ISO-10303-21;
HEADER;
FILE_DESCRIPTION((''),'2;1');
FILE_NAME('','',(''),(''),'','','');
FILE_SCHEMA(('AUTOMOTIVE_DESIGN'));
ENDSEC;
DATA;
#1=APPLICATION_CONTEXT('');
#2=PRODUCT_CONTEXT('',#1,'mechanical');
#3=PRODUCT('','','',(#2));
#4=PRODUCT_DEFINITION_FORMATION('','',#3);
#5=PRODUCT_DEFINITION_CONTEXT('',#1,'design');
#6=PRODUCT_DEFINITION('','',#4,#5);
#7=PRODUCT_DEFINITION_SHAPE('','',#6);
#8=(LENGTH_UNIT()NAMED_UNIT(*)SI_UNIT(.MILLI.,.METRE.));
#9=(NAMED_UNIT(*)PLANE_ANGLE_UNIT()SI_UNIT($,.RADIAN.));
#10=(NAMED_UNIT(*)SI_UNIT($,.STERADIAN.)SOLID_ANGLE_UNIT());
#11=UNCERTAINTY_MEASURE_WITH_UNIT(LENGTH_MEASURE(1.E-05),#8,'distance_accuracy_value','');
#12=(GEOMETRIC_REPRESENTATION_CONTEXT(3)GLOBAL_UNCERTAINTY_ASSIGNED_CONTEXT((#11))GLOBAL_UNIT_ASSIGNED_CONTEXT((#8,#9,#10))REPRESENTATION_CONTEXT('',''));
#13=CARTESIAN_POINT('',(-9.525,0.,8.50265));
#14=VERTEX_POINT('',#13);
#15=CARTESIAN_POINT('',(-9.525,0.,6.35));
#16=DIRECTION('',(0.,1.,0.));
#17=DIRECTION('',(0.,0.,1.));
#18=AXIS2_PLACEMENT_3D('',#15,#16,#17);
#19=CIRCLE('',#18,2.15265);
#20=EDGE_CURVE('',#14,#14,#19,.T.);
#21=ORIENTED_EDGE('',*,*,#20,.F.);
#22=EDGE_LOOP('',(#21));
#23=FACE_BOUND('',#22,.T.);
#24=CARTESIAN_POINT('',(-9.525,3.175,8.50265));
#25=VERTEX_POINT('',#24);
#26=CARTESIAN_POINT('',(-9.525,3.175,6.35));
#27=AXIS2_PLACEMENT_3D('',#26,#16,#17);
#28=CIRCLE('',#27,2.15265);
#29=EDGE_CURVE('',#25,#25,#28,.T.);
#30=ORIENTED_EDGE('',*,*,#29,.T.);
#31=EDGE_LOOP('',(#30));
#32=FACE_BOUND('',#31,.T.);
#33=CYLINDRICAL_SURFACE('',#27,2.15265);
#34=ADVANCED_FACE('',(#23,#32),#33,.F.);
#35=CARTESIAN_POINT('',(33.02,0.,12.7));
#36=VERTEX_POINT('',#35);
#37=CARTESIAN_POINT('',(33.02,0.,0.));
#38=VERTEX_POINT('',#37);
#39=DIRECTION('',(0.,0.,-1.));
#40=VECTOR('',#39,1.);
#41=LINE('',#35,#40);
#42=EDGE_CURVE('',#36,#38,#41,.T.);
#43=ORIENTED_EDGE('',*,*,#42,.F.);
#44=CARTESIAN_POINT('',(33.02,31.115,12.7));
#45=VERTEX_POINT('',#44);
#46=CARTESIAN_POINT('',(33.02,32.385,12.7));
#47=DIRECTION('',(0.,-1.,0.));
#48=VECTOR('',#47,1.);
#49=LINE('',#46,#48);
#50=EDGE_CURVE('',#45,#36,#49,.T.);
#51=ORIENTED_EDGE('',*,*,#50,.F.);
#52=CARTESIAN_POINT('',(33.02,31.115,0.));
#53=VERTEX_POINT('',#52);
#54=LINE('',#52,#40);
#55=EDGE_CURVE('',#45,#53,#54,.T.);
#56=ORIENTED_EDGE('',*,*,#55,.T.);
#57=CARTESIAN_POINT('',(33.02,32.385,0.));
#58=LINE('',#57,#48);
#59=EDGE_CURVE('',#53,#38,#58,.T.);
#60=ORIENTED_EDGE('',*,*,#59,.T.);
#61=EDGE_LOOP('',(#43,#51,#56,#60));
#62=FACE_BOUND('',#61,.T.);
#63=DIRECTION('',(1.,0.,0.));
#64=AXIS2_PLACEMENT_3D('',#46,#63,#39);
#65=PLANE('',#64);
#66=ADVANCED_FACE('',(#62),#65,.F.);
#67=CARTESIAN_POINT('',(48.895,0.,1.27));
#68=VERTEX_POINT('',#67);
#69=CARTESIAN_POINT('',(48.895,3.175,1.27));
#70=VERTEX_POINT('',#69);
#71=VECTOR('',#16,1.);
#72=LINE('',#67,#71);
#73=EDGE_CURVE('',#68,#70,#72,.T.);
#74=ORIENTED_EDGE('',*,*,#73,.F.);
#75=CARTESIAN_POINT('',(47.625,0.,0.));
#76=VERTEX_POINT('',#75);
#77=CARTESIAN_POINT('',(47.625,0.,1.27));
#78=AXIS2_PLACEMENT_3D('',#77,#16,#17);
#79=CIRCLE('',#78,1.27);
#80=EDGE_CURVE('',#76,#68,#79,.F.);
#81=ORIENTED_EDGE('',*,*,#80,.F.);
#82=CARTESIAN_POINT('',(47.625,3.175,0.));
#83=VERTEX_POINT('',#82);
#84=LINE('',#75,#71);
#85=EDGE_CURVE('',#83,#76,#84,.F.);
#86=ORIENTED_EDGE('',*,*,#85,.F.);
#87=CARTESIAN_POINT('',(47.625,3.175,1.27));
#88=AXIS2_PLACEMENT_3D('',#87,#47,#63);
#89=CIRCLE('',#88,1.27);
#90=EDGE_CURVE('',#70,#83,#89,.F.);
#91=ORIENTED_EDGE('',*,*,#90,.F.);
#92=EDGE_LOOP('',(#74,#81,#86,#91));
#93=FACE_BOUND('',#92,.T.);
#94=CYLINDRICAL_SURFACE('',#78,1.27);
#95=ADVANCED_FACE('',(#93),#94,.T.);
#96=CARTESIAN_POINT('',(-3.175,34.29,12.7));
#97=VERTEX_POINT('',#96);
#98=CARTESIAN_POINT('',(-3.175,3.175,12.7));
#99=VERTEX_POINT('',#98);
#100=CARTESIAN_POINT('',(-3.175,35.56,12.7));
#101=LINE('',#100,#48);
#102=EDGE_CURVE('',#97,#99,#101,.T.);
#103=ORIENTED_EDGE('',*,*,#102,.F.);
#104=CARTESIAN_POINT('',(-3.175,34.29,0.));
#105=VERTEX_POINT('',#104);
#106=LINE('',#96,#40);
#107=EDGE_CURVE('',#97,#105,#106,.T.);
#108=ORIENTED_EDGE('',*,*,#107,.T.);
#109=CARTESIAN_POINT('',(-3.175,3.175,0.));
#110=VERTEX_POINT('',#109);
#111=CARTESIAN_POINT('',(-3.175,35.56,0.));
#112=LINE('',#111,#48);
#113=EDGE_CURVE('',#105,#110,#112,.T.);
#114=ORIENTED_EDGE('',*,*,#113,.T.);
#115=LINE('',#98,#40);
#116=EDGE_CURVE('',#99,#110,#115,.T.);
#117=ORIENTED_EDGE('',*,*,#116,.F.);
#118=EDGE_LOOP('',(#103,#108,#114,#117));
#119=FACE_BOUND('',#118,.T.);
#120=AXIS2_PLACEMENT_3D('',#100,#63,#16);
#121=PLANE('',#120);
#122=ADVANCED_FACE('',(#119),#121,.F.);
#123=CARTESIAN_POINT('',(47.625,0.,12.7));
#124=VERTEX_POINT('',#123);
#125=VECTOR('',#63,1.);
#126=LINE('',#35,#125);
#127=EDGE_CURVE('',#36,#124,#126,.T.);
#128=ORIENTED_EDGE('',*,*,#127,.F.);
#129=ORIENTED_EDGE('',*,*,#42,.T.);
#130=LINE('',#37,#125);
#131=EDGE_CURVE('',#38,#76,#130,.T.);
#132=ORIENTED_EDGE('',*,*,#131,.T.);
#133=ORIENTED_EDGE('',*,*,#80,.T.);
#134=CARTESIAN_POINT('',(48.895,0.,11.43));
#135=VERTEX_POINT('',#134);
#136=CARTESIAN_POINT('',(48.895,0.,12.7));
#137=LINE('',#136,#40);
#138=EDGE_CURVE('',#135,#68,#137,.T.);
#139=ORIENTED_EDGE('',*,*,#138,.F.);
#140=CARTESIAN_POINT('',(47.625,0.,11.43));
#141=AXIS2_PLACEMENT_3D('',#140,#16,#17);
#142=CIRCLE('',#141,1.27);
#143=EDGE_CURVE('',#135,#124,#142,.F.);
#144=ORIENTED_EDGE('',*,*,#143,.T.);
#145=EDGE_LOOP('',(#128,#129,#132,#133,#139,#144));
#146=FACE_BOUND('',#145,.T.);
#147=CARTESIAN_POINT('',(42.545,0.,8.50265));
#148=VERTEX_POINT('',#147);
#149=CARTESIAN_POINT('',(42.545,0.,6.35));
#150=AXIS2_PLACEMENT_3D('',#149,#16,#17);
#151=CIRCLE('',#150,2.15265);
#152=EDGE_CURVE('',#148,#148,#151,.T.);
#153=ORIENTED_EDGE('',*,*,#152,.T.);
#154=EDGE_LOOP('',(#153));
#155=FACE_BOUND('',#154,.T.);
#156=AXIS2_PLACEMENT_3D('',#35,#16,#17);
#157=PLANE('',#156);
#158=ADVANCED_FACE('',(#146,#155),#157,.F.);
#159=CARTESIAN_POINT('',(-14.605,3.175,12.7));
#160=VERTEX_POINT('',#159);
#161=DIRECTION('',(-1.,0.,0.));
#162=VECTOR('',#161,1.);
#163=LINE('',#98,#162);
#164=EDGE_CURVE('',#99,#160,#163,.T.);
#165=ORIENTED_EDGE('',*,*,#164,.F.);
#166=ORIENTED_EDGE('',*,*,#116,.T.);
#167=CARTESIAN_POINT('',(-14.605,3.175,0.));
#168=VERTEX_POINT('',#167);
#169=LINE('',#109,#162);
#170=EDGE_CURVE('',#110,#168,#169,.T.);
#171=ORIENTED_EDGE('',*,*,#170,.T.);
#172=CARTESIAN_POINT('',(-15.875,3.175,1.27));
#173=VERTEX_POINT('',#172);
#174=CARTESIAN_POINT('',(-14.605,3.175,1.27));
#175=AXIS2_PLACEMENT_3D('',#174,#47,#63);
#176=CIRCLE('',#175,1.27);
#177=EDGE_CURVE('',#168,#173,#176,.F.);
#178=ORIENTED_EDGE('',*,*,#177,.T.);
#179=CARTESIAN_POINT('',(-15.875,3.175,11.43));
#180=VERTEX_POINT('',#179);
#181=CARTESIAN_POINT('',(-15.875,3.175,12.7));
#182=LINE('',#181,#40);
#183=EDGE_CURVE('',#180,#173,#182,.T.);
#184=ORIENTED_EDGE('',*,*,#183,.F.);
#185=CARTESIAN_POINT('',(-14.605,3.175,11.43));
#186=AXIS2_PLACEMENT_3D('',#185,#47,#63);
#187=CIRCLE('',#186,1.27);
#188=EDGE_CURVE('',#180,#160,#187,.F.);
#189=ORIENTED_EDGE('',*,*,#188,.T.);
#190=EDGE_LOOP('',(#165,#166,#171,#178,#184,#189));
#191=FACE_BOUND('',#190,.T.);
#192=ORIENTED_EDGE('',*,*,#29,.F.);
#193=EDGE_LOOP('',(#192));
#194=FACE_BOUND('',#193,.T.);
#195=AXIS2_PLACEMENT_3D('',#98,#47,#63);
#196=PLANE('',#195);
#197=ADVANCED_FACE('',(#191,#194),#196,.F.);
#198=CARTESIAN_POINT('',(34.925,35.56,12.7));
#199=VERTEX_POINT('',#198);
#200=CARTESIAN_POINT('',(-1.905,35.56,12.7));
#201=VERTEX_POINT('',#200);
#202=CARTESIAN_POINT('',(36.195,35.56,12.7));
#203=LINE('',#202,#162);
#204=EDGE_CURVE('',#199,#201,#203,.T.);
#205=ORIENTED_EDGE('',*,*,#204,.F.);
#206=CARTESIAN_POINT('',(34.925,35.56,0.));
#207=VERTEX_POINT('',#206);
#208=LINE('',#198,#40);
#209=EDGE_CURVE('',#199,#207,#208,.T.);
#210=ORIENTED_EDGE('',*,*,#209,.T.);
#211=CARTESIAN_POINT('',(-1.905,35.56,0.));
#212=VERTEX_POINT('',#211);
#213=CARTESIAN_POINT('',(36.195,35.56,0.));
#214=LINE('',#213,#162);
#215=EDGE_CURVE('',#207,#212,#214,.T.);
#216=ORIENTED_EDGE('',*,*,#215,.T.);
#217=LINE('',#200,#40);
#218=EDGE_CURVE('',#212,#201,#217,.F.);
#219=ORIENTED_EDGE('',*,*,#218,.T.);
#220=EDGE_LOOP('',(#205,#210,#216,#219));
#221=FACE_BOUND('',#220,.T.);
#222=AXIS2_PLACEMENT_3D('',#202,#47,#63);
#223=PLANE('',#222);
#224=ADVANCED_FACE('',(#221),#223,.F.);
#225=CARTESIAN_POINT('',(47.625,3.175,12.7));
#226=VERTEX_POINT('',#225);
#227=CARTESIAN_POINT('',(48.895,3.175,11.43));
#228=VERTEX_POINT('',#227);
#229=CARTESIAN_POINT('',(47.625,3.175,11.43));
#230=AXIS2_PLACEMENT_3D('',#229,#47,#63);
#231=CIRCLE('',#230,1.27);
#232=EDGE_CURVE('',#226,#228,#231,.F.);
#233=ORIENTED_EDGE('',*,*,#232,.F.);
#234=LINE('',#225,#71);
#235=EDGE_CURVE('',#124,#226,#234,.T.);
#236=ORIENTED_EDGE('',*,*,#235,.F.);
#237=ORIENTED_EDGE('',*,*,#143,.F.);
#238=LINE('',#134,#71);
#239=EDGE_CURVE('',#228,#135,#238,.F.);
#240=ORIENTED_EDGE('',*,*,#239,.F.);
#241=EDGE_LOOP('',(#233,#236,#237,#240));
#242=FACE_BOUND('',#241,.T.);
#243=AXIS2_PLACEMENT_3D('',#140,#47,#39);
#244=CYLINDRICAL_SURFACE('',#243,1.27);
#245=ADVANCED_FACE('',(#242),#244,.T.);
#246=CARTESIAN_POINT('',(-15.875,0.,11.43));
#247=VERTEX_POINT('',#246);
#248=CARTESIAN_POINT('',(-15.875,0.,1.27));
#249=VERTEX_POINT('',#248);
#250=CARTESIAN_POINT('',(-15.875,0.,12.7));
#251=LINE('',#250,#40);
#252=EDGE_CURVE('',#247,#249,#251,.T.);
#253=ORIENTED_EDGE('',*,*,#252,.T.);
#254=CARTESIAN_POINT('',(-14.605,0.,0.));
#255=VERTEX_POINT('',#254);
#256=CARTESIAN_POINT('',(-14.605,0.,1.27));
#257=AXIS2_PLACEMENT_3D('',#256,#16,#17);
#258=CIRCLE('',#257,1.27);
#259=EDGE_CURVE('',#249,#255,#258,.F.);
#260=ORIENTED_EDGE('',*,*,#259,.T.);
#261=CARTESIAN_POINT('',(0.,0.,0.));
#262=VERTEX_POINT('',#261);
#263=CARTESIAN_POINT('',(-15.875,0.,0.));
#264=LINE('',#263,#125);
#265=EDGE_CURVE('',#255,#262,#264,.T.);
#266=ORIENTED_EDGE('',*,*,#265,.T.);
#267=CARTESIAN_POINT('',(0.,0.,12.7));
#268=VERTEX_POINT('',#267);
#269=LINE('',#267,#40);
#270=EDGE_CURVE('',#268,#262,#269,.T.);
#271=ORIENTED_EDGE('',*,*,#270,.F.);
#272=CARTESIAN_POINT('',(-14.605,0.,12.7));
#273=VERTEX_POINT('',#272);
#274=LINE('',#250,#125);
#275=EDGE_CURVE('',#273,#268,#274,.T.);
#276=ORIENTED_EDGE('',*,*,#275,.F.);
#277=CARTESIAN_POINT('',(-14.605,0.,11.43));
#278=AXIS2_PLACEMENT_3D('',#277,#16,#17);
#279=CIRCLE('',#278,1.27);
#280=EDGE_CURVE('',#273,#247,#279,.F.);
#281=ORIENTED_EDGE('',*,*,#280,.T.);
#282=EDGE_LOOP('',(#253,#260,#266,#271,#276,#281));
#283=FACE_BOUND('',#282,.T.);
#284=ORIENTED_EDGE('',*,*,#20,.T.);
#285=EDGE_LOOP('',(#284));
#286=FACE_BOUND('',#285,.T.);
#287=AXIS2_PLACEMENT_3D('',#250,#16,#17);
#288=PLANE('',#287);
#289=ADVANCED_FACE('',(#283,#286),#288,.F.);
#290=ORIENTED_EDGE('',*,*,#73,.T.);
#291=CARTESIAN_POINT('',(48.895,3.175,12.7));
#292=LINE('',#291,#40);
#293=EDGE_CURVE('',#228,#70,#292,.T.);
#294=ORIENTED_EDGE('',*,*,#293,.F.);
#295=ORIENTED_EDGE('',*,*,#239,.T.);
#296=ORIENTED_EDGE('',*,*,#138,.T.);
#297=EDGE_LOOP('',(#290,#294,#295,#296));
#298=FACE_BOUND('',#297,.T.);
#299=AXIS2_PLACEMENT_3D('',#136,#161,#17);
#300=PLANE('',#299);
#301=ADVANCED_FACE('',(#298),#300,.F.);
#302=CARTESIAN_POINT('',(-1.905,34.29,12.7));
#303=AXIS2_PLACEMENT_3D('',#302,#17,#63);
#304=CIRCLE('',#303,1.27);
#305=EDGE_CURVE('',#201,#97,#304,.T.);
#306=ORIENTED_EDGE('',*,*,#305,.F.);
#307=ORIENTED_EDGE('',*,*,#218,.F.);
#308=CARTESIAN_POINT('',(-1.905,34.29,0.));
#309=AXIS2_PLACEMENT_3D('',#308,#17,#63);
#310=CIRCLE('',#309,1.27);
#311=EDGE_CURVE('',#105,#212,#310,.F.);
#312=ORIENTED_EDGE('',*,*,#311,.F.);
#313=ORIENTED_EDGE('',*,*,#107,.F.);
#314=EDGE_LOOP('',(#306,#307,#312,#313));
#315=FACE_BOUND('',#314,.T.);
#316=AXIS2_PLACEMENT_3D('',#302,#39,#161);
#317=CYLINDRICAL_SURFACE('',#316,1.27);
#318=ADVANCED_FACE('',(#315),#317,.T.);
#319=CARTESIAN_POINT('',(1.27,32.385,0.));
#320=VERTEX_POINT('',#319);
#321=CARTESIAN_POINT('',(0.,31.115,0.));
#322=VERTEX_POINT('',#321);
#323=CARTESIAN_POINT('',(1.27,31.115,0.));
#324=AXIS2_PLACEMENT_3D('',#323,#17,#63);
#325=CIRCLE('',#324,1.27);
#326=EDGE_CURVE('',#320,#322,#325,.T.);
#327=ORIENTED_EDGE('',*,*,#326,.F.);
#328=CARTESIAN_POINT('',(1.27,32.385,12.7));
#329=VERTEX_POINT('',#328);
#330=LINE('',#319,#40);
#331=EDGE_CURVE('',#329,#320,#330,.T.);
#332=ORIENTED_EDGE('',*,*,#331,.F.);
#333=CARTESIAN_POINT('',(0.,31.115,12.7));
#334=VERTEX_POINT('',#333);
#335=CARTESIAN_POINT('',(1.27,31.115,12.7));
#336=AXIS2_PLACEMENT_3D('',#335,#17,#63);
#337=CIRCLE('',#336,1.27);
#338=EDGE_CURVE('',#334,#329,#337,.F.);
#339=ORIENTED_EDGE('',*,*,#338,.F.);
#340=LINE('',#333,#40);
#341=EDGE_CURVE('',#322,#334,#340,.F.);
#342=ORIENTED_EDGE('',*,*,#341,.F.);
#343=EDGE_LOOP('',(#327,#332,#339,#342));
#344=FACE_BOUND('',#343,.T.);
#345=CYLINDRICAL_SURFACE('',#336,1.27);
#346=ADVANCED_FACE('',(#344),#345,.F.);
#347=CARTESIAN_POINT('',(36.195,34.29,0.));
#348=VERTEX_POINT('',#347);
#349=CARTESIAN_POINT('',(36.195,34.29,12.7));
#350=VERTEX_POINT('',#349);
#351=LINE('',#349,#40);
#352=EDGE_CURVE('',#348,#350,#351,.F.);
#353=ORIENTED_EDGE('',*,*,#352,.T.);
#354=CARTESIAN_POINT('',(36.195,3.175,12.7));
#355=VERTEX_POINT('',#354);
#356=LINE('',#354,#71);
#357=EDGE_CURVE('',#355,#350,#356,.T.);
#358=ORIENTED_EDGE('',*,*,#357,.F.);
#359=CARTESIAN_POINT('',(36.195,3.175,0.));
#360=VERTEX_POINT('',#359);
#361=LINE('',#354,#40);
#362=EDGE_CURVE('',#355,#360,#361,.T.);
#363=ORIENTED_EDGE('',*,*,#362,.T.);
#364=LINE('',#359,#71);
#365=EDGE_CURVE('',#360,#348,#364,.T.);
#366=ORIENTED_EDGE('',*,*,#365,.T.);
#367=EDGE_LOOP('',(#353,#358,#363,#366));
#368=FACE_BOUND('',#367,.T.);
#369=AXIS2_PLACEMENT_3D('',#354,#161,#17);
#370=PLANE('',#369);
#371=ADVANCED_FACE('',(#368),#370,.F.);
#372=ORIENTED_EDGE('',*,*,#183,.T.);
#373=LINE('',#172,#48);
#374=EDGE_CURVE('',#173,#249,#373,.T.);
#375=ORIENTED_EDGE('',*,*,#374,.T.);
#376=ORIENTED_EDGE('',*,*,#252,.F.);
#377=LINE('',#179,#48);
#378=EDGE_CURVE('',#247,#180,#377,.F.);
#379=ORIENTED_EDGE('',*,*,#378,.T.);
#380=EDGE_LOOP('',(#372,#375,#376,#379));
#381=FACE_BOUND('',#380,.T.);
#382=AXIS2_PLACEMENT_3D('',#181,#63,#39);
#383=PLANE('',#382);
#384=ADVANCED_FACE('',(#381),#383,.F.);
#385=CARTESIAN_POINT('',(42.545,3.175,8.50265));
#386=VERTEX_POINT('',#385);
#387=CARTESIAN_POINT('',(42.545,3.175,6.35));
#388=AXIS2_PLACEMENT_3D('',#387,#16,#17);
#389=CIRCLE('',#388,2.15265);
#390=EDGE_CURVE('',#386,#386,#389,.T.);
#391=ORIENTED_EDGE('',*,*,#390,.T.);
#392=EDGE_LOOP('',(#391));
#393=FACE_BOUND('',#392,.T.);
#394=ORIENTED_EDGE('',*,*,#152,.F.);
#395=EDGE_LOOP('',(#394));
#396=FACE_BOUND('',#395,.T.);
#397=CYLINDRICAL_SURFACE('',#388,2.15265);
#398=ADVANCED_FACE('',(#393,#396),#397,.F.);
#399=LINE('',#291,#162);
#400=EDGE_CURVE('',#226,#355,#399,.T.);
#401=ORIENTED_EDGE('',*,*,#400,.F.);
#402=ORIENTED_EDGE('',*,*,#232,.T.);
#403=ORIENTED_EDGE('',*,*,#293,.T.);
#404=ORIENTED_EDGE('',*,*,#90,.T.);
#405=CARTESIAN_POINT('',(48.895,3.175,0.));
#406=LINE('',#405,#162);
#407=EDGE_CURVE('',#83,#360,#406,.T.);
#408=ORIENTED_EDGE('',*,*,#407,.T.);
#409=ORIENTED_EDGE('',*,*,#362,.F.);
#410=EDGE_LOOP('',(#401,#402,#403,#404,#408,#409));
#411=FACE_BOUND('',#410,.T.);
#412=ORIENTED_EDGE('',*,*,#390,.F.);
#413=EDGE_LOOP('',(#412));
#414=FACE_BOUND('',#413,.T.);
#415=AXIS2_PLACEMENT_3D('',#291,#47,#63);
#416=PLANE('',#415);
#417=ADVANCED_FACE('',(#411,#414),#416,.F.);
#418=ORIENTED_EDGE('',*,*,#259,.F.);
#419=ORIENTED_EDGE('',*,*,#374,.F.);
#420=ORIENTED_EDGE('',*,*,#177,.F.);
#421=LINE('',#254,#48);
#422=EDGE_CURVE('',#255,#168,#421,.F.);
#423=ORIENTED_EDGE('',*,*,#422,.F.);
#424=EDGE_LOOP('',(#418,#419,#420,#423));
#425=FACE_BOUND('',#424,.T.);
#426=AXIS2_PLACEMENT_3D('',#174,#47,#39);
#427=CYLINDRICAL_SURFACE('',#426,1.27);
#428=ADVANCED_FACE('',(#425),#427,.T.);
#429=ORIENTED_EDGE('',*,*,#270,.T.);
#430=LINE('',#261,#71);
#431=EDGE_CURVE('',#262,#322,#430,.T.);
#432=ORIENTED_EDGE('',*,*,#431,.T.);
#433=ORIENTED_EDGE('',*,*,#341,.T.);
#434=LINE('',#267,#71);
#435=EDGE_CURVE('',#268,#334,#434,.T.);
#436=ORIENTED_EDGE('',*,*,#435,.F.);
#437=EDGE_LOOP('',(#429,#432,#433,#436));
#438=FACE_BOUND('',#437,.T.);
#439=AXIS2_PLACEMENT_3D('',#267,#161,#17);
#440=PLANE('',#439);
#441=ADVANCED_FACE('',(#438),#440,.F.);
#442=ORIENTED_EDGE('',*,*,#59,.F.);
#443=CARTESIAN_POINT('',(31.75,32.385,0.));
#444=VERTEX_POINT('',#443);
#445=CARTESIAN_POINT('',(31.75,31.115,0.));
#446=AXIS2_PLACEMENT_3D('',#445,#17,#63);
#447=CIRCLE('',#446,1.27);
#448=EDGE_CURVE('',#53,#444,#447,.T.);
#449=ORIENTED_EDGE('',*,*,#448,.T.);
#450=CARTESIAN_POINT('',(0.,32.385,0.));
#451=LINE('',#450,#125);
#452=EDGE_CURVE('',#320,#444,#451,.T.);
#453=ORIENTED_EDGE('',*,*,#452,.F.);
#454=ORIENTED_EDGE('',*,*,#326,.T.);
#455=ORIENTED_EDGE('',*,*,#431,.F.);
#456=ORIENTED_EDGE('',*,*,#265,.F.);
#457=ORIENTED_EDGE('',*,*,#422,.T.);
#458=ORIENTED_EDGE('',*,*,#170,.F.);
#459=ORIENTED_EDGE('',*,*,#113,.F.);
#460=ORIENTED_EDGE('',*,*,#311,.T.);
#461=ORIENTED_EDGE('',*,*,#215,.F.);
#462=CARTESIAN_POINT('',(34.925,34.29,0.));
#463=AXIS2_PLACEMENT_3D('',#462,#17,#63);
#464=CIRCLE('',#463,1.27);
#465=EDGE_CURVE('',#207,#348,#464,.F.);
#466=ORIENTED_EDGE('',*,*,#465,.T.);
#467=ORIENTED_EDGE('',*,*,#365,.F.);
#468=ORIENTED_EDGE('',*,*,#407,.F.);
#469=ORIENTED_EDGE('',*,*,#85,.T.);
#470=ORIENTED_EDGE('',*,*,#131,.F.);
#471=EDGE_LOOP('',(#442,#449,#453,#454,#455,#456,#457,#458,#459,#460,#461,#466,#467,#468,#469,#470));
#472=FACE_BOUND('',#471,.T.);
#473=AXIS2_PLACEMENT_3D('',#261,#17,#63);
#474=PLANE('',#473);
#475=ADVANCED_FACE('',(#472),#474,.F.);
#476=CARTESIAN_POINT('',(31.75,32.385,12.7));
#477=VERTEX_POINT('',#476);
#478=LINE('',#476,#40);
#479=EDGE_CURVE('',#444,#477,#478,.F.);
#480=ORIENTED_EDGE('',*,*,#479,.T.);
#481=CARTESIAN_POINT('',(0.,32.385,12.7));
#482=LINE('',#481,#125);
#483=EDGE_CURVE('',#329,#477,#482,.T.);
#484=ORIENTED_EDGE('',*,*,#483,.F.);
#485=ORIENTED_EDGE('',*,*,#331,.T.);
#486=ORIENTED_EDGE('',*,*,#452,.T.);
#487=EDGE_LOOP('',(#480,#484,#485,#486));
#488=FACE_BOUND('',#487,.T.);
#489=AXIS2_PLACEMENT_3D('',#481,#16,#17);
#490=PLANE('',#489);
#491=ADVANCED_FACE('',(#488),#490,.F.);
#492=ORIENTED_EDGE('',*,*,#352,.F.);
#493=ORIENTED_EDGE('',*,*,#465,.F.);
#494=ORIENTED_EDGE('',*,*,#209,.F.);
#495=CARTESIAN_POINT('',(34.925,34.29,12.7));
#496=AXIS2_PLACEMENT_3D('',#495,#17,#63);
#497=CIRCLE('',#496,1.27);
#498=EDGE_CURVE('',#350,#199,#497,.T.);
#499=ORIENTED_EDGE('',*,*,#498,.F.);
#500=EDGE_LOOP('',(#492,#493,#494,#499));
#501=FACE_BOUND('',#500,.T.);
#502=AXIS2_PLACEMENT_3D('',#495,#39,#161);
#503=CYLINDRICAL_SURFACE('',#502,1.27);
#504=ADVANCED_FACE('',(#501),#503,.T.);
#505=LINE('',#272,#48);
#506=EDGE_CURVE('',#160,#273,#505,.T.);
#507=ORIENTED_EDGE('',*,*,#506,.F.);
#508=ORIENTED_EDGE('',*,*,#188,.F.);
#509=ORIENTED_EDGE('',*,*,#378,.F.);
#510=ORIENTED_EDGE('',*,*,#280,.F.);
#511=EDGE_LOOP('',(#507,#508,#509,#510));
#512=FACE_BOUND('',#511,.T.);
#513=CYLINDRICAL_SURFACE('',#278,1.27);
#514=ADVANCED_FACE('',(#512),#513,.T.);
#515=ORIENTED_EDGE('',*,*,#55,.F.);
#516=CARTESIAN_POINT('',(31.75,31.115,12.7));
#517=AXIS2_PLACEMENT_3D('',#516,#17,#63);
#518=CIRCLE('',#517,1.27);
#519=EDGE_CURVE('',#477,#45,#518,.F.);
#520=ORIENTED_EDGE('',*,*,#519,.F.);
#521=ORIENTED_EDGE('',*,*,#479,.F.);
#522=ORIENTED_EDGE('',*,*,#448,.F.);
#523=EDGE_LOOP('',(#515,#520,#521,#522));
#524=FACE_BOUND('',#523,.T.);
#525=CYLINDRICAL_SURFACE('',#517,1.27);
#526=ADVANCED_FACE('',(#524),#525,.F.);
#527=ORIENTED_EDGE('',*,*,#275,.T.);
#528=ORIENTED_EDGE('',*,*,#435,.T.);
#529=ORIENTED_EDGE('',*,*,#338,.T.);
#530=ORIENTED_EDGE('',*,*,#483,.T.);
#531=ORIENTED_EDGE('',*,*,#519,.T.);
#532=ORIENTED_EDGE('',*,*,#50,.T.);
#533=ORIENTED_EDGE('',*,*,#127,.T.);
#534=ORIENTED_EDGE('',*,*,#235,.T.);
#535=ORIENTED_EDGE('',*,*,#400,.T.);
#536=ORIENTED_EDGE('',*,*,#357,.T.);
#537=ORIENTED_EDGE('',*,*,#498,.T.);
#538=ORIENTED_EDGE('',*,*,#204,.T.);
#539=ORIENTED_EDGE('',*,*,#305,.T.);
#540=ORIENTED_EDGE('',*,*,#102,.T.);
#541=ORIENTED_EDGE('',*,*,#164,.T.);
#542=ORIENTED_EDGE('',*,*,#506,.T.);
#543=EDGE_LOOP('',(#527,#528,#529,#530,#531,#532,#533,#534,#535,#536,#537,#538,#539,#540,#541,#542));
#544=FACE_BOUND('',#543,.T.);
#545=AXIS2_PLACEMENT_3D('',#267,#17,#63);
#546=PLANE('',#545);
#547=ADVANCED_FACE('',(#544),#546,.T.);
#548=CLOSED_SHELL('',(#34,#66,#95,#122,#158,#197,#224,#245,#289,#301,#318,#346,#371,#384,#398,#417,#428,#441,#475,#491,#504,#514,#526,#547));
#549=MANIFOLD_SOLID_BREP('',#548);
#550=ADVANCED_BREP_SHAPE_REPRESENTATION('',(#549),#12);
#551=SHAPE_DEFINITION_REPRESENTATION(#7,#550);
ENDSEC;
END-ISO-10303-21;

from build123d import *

# Parameters (mm, degrees)
BOSS_EXTRUDE1_DEPTH   = 12.7
F_6_CLEARANCE_HOLE1_D = 4.3053
FILLET1_R             = 1.27


with BuildPart() as part:
    # Sketch1 → Boss-Extrude1 (new body)
    with BuildSketch(Plane.XY):
        Polygon((-15.875, 0), (0, 0), (0, 32.385), (33.02, 32.385), (33.02, 0), (48.895, 0), (48.895, 3.175), (36.195, 3.175), (36.195, 35.56), (-3.175, 35.56), (-3.175, 3.175), (-15.875, 3.175), align=None)
    extrude(amount=BOSS_EXTRUDE1_DEPTH)

    # #6 Clearance Hole1 (through all)
    with Locations(Plane(origin=(0, 3.175, 0), x_dir=(1, 0, 0), z_dir=(0, 1, 0))):
        with Locations((-9.525, -6.35), (42.545, -6.35)):
            Hole(F_6_CLEARANCE_HOLE1_D / 2)

    # Fillet1
    fillet1_edges = [part.edges().sort_by_distance(p)[0] for p in [
        (48.895, 1.5875, 0),
        (-15.875, 1.5875, 0),
        (-3.175, 35.56, 6.35),
        (36.195, 35.56, 6.35),
        (33.02, 32.385, 6.35),
        (0, 32.385, 6.35),
        (48.895, 1.5875, 12.7),
        (-15.875, 1.5875, 12.7),
    ]]
    fillet(fillet1_edges, radius=FILLET1_R)


solid = part.part
